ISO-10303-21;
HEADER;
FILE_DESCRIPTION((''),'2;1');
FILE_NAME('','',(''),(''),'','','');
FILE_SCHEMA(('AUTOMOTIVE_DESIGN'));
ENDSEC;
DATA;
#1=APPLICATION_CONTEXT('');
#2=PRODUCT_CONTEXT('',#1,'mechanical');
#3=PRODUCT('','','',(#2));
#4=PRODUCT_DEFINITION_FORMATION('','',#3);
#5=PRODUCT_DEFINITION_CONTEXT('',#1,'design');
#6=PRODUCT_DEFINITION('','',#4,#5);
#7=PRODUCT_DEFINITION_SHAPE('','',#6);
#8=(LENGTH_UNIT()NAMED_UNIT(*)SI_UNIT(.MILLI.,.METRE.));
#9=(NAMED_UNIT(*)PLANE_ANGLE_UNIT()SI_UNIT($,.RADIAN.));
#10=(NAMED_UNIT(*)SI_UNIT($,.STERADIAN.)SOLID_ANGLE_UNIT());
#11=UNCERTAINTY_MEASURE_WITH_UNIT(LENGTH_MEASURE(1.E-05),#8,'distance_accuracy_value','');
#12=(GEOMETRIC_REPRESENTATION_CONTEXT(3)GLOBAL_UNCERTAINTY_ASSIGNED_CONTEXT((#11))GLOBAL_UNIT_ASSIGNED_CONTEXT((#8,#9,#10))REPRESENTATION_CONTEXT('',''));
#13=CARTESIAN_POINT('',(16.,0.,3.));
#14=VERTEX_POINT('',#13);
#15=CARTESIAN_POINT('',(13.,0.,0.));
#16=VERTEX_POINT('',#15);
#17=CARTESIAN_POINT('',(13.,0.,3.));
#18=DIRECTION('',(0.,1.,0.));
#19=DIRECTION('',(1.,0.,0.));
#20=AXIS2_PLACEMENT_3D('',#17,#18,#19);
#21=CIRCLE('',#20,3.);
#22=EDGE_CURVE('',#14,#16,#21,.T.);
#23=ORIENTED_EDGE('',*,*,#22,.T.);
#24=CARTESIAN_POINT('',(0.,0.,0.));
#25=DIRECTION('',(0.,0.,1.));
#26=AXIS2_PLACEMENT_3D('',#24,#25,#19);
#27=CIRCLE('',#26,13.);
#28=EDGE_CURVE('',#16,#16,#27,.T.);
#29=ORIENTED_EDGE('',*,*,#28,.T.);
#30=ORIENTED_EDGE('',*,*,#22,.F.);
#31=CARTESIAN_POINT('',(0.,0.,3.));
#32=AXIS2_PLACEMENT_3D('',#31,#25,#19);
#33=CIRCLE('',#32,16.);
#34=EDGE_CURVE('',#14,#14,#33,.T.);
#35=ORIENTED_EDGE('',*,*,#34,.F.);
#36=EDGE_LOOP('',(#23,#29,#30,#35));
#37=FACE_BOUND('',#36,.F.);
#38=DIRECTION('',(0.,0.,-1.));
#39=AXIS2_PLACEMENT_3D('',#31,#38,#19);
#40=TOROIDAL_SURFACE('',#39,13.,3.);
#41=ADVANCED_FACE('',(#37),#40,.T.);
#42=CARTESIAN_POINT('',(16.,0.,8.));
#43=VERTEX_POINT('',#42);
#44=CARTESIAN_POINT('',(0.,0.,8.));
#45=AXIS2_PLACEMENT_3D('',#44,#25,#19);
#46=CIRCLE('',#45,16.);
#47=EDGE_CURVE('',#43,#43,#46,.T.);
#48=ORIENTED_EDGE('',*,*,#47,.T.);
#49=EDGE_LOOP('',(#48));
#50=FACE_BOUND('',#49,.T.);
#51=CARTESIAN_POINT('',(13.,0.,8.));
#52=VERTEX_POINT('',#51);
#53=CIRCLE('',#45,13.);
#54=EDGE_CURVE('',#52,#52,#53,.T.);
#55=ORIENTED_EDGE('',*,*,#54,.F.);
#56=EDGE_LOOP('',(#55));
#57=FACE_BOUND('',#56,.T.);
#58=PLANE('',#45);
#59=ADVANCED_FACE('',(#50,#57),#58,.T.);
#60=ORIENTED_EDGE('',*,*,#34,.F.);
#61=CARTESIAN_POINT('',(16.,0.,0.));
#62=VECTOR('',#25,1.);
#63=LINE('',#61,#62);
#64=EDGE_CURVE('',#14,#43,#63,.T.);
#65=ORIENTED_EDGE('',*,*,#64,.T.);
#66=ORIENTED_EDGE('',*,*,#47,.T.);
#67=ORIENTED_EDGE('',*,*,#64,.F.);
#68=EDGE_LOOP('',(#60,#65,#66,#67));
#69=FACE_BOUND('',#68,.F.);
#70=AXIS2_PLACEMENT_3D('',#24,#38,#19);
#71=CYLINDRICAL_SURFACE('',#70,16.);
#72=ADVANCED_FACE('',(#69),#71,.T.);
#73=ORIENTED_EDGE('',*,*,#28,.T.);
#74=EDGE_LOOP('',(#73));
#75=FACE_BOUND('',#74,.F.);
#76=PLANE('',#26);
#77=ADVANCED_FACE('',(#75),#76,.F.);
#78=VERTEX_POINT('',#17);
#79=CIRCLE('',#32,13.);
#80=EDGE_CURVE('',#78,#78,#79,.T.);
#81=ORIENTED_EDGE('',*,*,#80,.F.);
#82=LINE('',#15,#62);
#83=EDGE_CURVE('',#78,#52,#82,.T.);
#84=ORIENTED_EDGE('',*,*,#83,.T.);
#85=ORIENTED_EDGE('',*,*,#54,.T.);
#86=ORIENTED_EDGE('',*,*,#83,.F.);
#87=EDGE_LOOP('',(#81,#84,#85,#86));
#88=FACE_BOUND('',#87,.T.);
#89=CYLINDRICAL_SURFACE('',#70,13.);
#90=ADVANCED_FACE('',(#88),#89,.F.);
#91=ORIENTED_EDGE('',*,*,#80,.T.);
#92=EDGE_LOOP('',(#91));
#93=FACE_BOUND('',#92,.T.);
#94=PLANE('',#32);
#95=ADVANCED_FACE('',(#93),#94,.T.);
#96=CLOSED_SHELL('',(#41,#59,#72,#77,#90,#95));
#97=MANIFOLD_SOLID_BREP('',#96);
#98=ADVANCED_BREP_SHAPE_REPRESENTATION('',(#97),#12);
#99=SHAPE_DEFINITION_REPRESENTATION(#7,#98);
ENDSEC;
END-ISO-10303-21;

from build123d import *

# Parameters (mm, degrees)
F0_R     = 13
F1_DEPTH = 3
F0_R_2   = 16
F2_DEPTH = 8
F3_R     = 3


with BuildPart() as f1:
    # F0 (on Top) → F1 (new body)
    with BuildSketch(Plane.XY):
        Circle(F0_R)
    extrude(amount=F1_DEPTH)

    # F0 (on Top) → F2 (join)
    with BuildSketch(Plane.XY):
        Circle(F0_R_2)
        Circle(F0_R, mode=Mode.SUBTRACT)
    extrude(amount=F2_DEPTH)

    # F3
    f3_edges = [f1.edges().sort_by_distance(p)[0] for p in [
        (-16, 0, 0),
    ]]
    fillet(f3_edges, radius=F3_R)


solid = f1.part
